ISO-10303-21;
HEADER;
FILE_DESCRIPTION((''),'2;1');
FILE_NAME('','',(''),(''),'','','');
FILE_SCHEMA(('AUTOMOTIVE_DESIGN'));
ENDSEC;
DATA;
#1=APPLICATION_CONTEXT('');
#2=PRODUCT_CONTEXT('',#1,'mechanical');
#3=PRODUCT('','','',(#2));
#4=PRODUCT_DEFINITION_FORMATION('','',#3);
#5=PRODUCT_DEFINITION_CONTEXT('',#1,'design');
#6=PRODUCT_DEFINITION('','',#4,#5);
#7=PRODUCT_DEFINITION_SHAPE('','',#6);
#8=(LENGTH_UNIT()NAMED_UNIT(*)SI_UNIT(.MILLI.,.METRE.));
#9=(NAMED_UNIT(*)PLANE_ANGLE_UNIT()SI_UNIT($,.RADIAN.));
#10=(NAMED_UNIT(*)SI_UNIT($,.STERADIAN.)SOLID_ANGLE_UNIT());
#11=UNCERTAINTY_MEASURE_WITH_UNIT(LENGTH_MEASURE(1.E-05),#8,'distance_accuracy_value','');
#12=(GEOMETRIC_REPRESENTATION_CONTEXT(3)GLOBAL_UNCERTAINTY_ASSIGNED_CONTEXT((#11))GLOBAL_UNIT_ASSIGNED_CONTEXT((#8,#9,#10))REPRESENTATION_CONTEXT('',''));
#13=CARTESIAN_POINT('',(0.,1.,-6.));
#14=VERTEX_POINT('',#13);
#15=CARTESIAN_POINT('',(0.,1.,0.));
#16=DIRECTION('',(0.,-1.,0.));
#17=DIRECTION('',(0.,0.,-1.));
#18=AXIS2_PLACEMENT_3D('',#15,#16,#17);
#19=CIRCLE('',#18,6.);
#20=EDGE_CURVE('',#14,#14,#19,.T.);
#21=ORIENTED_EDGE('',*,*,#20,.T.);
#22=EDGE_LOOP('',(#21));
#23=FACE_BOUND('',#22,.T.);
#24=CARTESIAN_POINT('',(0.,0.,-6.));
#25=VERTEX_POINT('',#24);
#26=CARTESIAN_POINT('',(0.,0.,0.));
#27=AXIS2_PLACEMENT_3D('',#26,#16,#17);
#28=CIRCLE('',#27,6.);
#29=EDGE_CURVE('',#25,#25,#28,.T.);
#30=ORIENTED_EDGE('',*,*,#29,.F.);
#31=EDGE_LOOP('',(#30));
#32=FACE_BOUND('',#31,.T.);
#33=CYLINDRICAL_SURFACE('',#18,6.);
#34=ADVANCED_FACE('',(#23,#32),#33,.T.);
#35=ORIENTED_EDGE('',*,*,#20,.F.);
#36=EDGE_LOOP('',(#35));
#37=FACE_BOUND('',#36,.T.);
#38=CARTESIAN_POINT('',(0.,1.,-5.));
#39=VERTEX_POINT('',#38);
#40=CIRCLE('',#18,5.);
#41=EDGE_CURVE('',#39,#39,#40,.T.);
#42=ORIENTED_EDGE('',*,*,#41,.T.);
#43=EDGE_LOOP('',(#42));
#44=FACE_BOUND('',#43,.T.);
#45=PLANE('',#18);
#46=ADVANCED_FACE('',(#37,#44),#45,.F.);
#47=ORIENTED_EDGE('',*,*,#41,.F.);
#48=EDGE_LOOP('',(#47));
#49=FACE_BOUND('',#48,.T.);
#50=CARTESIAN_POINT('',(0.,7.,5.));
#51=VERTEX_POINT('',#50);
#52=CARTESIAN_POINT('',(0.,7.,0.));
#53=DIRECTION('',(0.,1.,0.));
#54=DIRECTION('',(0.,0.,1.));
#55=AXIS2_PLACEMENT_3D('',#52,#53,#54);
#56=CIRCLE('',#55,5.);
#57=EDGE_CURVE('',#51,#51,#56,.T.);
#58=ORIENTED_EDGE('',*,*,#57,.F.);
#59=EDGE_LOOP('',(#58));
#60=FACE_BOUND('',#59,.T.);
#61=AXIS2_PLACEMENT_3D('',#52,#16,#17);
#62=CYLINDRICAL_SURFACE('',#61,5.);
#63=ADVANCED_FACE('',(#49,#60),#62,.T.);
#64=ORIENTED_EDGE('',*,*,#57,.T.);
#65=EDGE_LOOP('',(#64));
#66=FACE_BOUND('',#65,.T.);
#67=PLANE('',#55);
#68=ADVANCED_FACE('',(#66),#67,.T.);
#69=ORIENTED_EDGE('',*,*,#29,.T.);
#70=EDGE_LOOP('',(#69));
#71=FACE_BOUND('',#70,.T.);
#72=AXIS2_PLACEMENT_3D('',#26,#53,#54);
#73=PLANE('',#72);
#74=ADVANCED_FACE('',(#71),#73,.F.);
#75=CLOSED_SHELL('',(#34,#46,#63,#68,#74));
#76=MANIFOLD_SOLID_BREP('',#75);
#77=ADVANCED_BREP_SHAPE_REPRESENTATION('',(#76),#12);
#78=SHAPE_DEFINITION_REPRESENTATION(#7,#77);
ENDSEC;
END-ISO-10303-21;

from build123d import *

# Parameters (mm, degrees)
SKIZZE1_R                       = 5
AUFSATZ_LINEAR_AUSTRAGEN1_DEPTH = 7
SKIZZE2_R                       = 6
AUFSATZ_LINEAR_AUSTRAGEN2_DEPTH = 1


with BuildPart() as part:
    # Skizze1 → Aufsatz-Linear austragen1 (new body)
    with BuildSketch(Plane(origin=(0, 0, 0), x_dir=(1, 0, 0), z_dir=(0, 1, 0))):
        with Locations(Location((0, 0, 0), (0, 0, 270))):
            Circle(SKIZZE1_R)
    extrude(amount=AUFSATZ_LINEAR_AUSTRAGEN1_DEPTH)

    # Skizze2 → Aufsatz-Linear austragen2 (add)
    with BuildSketch(Plane.XZ):
        with Locations(Location((0, 0, 0), (0, 0, 270))):
            Circle(SKIZZE2_R)
    extrude(amount=-AUFSATZ_LINEAR_AUSTRAGEN2_DEPTH)


solid = part.part
